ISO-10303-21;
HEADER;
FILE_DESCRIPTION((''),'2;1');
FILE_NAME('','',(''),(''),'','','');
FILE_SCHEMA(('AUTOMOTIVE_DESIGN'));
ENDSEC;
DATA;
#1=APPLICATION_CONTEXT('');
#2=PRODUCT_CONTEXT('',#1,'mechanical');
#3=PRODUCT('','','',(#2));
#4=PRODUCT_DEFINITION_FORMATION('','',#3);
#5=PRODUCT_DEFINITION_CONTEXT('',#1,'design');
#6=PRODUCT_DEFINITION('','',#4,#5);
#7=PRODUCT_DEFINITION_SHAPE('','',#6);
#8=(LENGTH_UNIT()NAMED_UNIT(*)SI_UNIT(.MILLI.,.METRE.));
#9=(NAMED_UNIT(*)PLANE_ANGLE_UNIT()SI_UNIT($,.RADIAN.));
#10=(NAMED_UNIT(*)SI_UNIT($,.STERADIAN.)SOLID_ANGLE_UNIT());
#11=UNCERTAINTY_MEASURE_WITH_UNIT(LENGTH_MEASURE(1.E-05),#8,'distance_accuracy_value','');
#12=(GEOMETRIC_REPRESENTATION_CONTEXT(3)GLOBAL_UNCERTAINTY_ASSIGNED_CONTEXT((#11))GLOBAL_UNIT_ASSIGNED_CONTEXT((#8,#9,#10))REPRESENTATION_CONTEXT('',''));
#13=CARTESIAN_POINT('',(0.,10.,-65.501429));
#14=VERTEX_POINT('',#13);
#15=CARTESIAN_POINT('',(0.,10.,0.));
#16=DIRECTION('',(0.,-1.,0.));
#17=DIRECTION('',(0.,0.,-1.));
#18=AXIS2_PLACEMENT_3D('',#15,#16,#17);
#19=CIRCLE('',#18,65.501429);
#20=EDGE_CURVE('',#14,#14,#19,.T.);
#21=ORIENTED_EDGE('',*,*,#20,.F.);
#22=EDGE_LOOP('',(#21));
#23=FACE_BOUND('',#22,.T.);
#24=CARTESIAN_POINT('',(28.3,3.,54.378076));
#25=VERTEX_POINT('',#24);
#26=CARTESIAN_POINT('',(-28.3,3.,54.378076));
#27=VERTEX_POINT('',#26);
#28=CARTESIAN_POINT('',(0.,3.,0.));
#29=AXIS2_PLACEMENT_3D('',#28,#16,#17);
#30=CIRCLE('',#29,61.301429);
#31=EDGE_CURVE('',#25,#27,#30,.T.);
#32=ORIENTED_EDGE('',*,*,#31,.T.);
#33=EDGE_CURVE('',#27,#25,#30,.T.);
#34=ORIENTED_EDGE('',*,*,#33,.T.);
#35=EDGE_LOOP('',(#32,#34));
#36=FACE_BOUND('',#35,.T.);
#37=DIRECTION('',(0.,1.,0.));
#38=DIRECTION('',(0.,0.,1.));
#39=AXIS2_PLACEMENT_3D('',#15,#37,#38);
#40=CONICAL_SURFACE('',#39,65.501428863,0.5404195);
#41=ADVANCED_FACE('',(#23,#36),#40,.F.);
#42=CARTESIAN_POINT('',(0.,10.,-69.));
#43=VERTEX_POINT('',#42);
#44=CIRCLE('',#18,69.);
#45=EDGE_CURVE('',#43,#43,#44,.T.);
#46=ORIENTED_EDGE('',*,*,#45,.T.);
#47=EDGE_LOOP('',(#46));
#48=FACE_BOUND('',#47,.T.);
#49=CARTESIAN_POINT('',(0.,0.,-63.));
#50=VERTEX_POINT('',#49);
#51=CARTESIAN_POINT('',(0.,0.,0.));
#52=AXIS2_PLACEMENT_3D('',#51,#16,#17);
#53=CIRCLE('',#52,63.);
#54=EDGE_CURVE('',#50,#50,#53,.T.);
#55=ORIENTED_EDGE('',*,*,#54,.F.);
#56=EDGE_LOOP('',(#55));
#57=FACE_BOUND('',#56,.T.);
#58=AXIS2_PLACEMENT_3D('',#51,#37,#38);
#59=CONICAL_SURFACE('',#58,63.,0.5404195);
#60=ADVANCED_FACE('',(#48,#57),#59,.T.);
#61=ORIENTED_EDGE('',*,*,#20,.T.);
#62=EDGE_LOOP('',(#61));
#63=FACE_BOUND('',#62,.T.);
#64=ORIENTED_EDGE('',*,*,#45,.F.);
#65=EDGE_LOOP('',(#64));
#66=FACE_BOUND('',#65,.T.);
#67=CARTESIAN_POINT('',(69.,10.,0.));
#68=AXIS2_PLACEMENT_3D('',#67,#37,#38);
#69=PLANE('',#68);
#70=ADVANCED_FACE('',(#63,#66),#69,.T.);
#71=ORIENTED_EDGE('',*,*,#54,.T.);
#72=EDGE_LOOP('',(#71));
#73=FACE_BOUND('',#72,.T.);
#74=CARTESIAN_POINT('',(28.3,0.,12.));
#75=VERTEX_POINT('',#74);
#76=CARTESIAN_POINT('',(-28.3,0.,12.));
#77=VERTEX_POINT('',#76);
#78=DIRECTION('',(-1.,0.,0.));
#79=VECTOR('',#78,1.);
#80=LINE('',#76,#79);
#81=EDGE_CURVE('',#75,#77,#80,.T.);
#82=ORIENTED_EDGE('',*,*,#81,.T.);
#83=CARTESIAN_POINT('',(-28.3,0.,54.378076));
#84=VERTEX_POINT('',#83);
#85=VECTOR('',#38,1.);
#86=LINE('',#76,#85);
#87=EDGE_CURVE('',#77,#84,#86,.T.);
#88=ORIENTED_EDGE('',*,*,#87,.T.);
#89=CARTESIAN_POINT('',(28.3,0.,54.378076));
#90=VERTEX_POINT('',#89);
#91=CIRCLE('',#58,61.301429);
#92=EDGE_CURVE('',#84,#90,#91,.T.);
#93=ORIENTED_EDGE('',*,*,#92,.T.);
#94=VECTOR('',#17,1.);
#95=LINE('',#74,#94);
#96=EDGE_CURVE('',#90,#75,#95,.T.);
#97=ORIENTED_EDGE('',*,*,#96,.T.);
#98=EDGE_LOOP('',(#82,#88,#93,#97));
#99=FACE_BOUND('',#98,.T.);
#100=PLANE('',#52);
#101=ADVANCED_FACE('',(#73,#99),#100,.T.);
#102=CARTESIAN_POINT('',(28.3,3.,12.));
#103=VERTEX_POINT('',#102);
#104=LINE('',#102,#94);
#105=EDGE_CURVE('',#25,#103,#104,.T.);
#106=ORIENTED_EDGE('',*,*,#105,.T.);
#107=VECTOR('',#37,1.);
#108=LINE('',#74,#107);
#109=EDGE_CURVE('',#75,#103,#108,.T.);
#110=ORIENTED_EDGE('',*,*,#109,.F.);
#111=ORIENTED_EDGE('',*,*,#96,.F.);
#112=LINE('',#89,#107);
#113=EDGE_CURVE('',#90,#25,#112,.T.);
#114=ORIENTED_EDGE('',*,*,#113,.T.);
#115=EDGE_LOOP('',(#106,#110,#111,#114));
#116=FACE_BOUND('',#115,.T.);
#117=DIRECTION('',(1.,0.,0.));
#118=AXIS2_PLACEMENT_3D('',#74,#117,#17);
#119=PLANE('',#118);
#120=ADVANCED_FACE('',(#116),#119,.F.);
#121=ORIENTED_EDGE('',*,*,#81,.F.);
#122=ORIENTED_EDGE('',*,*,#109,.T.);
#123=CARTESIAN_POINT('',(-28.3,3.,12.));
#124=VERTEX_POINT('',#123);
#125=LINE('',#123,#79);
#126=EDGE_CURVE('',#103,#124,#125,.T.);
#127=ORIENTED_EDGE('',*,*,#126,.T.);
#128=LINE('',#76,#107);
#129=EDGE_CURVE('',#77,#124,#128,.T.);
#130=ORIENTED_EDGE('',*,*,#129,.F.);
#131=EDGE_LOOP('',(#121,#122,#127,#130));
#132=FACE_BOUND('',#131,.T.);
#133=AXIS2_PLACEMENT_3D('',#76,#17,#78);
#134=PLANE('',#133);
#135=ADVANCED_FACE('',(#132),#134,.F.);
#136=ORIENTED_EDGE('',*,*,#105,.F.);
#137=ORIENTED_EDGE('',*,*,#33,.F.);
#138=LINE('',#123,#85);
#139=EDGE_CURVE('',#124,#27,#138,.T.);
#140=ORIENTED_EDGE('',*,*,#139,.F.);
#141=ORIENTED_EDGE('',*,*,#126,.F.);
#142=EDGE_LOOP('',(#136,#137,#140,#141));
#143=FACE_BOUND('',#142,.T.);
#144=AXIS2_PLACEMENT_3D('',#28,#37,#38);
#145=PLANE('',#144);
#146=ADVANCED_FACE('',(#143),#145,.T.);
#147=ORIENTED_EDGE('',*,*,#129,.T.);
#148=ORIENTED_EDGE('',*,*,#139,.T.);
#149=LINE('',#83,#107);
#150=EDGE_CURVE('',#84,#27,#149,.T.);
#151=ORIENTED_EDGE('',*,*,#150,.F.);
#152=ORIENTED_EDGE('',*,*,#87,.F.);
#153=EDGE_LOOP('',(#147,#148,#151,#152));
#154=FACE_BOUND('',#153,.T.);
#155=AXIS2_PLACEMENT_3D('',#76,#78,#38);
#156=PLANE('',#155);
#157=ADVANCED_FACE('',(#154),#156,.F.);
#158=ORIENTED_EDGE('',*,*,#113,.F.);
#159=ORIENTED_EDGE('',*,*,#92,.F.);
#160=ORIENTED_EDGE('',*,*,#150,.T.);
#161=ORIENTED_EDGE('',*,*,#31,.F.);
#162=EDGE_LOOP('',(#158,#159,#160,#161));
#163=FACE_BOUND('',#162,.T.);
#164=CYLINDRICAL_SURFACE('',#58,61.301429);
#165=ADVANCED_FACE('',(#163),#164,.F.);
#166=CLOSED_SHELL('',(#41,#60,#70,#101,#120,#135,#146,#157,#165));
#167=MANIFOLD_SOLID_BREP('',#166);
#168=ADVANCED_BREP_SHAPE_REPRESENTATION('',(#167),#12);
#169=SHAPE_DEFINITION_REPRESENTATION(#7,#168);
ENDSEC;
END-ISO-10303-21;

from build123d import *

# Parameters (mm, degrees)
CUT_EXTRUDE1_DEPTH = 4


with BuildPart() as part:
    # Sketch1 → Revolve1 (revolve)
    with BuildSketch(Plane.XY):
        Polygon((0, 0), (63, 0), (69, 10), (65.501428863, 10), (61.301428863, 3), (0, 3), align=None)
    revolve(axis=Axis((0, 0, 0), (0, 1, 0)))

    # Sketch2 → Cut-Extrude1 (cut, through all)
    with BuildSketch(Plane(origin=(0, 3, 0), x_dir=(1, 0, 0), z_dir=(0, 1, 0))):
        with BuildLine():
            Line((-28.3, -12), (-28.3, -54.378076287))
            ThreePointArc((-28.3, -54.378076287), (0, -61.301428863), (28.3, -54.378076287))
            Line((28.3, -54.378076287), (28.3, -12))
            Line((28.3, -12), (-28.3, -12))
        make_face()
    extrude(amount=-CUT_EXTRUDE1_DEPTH, mode=Mode.SUBTRACT)


solid = part.part
